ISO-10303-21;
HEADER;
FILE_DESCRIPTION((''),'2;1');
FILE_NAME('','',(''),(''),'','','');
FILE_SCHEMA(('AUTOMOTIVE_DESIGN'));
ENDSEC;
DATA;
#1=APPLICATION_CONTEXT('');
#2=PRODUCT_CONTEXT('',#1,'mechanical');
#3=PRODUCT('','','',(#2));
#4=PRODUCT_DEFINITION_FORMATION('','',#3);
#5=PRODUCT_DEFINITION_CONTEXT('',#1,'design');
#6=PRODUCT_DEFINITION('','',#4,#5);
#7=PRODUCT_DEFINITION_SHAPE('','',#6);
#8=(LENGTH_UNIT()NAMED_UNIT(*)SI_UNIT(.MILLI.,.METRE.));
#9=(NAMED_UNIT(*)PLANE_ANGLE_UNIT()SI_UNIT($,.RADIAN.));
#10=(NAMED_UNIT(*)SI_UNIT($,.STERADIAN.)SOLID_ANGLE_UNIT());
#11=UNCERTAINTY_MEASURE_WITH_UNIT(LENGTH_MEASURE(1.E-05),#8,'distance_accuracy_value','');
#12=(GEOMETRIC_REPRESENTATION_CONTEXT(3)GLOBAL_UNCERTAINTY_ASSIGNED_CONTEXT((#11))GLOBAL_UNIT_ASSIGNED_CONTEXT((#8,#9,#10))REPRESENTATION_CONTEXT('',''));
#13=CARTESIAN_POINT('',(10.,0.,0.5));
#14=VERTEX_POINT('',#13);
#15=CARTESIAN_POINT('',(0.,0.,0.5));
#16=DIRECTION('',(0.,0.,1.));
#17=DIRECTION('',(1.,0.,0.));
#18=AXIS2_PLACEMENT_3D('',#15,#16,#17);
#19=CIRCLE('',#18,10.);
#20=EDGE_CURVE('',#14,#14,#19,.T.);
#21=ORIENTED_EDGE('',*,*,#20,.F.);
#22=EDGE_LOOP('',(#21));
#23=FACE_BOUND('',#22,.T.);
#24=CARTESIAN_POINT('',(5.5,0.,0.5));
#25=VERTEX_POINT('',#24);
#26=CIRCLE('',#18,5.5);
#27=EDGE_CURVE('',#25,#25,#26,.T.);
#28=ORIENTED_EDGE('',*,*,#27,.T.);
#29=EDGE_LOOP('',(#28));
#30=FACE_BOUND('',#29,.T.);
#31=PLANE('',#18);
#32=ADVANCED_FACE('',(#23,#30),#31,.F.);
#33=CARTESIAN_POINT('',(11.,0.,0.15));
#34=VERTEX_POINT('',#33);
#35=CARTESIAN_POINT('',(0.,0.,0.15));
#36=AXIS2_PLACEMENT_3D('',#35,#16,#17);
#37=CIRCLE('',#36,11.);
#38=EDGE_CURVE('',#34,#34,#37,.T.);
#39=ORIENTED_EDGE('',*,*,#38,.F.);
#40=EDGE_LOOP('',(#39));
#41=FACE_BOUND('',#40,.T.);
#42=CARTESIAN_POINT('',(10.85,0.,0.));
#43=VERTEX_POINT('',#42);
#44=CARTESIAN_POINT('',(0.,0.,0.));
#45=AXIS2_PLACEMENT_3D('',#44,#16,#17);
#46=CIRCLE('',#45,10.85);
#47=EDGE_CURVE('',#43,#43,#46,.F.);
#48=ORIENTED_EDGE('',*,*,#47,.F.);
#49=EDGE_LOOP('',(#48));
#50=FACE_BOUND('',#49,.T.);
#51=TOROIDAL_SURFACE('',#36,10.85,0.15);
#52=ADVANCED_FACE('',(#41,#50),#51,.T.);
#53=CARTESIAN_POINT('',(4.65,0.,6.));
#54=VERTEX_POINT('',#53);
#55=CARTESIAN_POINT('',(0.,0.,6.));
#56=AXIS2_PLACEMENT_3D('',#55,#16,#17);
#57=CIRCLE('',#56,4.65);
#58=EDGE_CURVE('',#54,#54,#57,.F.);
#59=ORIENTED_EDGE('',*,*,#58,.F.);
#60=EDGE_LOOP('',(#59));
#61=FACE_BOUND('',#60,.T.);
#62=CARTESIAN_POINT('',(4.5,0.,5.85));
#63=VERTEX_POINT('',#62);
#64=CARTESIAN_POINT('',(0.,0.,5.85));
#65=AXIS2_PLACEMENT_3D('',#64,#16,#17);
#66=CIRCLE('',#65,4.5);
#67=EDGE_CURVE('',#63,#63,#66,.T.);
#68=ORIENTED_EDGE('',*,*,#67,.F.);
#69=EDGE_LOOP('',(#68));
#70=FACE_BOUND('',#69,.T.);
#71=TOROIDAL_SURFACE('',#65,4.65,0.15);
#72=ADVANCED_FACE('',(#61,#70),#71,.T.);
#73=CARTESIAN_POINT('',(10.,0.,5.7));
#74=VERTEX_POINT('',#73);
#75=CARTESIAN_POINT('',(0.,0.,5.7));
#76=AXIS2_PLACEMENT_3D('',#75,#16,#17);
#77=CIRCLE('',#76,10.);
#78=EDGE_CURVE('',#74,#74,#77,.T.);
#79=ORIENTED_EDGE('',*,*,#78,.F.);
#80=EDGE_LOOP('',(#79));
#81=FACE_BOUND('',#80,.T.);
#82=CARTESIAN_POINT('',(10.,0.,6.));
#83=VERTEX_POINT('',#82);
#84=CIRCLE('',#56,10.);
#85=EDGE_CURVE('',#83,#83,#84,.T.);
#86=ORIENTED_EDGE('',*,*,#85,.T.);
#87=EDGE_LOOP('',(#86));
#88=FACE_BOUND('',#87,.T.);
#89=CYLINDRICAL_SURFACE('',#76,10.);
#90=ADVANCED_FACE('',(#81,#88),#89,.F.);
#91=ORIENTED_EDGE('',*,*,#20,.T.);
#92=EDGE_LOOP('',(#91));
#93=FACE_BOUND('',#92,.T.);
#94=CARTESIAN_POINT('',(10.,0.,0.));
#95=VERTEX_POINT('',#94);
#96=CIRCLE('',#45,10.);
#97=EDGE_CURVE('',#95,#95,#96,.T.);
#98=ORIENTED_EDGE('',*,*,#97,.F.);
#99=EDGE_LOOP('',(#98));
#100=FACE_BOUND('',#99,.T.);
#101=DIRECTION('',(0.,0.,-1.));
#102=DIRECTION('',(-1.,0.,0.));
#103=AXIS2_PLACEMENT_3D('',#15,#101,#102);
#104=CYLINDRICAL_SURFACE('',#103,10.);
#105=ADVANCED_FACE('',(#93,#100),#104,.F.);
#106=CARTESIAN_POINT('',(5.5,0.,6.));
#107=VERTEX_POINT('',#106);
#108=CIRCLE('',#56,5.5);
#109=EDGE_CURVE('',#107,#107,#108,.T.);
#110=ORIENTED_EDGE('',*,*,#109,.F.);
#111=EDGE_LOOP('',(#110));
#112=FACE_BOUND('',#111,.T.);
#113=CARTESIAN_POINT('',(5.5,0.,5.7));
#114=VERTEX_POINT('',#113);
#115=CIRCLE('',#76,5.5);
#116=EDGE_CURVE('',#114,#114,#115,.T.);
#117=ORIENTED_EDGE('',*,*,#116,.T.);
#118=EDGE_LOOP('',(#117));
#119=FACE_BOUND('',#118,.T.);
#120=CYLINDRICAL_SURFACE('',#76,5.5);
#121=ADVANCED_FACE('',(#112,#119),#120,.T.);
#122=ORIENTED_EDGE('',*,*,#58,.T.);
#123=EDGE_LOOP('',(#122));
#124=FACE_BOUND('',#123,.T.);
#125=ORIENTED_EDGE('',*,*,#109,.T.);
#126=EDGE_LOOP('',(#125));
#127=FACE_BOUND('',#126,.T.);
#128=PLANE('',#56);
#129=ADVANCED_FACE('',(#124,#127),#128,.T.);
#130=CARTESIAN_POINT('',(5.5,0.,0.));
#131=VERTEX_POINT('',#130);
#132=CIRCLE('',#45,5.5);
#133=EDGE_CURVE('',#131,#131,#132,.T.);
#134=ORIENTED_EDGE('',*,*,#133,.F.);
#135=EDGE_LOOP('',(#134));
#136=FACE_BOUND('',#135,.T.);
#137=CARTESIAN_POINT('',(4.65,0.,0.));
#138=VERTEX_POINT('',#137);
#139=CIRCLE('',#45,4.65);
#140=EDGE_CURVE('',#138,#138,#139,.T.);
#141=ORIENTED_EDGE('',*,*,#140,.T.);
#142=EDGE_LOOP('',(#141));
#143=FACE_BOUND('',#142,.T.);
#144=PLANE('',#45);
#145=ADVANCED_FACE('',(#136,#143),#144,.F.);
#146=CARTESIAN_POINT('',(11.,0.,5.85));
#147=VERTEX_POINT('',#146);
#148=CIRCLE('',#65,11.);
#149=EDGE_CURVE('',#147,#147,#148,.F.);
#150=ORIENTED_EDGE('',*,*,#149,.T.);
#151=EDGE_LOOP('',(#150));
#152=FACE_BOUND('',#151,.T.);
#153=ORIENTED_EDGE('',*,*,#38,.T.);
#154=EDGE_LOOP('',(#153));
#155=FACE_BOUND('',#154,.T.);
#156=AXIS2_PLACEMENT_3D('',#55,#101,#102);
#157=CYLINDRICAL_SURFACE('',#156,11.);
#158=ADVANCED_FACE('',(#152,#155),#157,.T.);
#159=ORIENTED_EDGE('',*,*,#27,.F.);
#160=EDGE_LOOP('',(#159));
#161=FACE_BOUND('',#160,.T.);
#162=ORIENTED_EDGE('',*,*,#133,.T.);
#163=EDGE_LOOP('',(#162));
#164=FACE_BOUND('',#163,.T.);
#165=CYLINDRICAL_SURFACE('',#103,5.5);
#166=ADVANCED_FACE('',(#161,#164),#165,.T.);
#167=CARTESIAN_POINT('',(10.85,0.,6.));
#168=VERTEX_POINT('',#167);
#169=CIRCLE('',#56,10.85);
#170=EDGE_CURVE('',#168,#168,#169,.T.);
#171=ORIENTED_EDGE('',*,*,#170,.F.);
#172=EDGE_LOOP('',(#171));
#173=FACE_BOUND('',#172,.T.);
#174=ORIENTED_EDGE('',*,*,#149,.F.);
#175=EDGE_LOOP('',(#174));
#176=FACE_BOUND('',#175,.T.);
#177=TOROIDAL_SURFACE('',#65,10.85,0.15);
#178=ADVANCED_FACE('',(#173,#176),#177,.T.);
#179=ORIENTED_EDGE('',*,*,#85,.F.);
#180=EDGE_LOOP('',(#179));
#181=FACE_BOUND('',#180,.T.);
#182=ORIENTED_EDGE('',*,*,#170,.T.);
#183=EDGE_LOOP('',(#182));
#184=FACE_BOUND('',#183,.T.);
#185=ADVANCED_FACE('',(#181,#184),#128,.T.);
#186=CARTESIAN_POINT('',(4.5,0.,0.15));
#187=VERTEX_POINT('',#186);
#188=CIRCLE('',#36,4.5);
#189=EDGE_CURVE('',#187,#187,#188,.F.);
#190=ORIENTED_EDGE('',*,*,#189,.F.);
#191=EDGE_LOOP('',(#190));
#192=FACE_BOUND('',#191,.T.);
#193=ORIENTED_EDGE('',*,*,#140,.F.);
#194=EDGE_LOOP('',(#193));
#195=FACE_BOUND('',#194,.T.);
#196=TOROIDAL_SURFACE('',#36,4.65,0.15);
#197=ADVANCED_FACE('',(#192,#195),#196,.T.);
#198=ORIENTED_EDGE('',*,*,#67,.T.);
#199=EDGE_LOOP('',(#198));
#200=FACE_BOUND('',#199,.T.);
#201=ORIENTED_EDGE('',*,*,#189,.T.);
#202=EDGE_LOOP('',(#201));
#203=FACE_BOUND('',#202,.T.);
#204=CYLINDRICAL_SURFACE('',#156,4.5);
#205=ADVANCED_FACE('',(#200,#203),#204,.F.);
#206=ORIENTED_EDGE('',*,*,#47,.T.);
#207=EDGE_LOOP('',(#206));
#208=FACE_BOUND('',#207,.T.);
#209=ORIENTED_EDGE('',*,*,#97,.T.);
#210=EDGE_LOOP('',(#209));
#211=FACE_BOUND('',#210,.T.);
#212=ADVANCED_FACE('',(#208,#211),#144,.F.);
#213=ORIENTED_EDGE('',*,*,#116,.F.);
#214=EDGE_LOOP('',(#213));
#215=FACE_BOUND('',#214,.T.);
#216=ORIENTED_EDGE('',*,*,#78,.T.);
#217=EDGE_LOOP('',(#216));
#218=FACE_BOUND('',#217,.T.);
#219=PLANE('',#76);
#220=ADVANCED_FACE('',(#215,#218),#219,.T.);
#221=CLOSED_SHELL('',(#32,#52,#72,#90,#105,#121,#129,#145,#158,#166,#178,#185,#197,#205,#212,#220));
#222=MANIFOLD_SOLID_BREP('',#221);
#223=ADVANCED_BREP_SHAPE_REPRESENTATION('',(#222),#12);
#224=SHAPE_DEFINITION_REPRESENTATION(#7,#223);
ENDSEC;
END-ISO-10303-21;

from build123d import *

# Parameters (mm, degrees)
SKETCH1_R           = 11
SKETCH1_R_2         = 4.5
BOSS_EXTRUDE1_DEPTH = 6
SKETCH2_R           = 10
SKETCH2_R_2         = 5.5
CUT_EXTRUDE1_DEPTH  = 0.3
CUT_EXTRUDE2_START  = -5.5
SKETCH2_2_R         = 10
SKETCH2_2_R_2       = 5.5
CUT_EXTRUDE2_DEPTH  = 0.5
FILLET1_R           = 0.15


with BuildPart() as part:
    # Sketch1 → Boss-Extrude1 (new body)
    with BuildSketch(Plane.XY):
        Circle(SKETCH1_R)
        Circle(SKETCH1_R_2, mode=Mode.SUBTRACT)
    extrude(amount=BOSS_EXTRUDE1_DEPTH)

    # Sketch2 → Cut-Extrude1 (cut)
    with BuildSketch(Plane.XY.offset(6)):
        Circle(SKETCH2_R)
        Circle(SKETCH2_R_2, mode=Mode.SUBTRACT)
    extrude(amount=-CUT_EXTRUDE1_DEPTH, mode=Mode.SUBTRACT)

    # Sketch2<2> → Cut-Extrude2 (cut)
    with BuildSketch(Plane.XY.offset(6).offset(CUT_EXTRUDE2_START)):
        Circle(SKETCH2_2_R)
        Circle(SKETCH2_2_R_2, mode=Mode.SUBTRACT)
    extrude(amount=-CUT_EXTRUDE2_DEPTH, mode=Mode.SUBTRACT)

    # Fillet1
    fillet1_edges = [part.edges().sort_by_distance(p)[0] for p in [
        (-11, 0, 0),
        (-11, 0, 6),
        (-4.5, 0, 0),
        (-4.5, 0, 6),
    ]]
    fillet(fillet1_edges, radius=FILLET1_R)


solid = part.part
